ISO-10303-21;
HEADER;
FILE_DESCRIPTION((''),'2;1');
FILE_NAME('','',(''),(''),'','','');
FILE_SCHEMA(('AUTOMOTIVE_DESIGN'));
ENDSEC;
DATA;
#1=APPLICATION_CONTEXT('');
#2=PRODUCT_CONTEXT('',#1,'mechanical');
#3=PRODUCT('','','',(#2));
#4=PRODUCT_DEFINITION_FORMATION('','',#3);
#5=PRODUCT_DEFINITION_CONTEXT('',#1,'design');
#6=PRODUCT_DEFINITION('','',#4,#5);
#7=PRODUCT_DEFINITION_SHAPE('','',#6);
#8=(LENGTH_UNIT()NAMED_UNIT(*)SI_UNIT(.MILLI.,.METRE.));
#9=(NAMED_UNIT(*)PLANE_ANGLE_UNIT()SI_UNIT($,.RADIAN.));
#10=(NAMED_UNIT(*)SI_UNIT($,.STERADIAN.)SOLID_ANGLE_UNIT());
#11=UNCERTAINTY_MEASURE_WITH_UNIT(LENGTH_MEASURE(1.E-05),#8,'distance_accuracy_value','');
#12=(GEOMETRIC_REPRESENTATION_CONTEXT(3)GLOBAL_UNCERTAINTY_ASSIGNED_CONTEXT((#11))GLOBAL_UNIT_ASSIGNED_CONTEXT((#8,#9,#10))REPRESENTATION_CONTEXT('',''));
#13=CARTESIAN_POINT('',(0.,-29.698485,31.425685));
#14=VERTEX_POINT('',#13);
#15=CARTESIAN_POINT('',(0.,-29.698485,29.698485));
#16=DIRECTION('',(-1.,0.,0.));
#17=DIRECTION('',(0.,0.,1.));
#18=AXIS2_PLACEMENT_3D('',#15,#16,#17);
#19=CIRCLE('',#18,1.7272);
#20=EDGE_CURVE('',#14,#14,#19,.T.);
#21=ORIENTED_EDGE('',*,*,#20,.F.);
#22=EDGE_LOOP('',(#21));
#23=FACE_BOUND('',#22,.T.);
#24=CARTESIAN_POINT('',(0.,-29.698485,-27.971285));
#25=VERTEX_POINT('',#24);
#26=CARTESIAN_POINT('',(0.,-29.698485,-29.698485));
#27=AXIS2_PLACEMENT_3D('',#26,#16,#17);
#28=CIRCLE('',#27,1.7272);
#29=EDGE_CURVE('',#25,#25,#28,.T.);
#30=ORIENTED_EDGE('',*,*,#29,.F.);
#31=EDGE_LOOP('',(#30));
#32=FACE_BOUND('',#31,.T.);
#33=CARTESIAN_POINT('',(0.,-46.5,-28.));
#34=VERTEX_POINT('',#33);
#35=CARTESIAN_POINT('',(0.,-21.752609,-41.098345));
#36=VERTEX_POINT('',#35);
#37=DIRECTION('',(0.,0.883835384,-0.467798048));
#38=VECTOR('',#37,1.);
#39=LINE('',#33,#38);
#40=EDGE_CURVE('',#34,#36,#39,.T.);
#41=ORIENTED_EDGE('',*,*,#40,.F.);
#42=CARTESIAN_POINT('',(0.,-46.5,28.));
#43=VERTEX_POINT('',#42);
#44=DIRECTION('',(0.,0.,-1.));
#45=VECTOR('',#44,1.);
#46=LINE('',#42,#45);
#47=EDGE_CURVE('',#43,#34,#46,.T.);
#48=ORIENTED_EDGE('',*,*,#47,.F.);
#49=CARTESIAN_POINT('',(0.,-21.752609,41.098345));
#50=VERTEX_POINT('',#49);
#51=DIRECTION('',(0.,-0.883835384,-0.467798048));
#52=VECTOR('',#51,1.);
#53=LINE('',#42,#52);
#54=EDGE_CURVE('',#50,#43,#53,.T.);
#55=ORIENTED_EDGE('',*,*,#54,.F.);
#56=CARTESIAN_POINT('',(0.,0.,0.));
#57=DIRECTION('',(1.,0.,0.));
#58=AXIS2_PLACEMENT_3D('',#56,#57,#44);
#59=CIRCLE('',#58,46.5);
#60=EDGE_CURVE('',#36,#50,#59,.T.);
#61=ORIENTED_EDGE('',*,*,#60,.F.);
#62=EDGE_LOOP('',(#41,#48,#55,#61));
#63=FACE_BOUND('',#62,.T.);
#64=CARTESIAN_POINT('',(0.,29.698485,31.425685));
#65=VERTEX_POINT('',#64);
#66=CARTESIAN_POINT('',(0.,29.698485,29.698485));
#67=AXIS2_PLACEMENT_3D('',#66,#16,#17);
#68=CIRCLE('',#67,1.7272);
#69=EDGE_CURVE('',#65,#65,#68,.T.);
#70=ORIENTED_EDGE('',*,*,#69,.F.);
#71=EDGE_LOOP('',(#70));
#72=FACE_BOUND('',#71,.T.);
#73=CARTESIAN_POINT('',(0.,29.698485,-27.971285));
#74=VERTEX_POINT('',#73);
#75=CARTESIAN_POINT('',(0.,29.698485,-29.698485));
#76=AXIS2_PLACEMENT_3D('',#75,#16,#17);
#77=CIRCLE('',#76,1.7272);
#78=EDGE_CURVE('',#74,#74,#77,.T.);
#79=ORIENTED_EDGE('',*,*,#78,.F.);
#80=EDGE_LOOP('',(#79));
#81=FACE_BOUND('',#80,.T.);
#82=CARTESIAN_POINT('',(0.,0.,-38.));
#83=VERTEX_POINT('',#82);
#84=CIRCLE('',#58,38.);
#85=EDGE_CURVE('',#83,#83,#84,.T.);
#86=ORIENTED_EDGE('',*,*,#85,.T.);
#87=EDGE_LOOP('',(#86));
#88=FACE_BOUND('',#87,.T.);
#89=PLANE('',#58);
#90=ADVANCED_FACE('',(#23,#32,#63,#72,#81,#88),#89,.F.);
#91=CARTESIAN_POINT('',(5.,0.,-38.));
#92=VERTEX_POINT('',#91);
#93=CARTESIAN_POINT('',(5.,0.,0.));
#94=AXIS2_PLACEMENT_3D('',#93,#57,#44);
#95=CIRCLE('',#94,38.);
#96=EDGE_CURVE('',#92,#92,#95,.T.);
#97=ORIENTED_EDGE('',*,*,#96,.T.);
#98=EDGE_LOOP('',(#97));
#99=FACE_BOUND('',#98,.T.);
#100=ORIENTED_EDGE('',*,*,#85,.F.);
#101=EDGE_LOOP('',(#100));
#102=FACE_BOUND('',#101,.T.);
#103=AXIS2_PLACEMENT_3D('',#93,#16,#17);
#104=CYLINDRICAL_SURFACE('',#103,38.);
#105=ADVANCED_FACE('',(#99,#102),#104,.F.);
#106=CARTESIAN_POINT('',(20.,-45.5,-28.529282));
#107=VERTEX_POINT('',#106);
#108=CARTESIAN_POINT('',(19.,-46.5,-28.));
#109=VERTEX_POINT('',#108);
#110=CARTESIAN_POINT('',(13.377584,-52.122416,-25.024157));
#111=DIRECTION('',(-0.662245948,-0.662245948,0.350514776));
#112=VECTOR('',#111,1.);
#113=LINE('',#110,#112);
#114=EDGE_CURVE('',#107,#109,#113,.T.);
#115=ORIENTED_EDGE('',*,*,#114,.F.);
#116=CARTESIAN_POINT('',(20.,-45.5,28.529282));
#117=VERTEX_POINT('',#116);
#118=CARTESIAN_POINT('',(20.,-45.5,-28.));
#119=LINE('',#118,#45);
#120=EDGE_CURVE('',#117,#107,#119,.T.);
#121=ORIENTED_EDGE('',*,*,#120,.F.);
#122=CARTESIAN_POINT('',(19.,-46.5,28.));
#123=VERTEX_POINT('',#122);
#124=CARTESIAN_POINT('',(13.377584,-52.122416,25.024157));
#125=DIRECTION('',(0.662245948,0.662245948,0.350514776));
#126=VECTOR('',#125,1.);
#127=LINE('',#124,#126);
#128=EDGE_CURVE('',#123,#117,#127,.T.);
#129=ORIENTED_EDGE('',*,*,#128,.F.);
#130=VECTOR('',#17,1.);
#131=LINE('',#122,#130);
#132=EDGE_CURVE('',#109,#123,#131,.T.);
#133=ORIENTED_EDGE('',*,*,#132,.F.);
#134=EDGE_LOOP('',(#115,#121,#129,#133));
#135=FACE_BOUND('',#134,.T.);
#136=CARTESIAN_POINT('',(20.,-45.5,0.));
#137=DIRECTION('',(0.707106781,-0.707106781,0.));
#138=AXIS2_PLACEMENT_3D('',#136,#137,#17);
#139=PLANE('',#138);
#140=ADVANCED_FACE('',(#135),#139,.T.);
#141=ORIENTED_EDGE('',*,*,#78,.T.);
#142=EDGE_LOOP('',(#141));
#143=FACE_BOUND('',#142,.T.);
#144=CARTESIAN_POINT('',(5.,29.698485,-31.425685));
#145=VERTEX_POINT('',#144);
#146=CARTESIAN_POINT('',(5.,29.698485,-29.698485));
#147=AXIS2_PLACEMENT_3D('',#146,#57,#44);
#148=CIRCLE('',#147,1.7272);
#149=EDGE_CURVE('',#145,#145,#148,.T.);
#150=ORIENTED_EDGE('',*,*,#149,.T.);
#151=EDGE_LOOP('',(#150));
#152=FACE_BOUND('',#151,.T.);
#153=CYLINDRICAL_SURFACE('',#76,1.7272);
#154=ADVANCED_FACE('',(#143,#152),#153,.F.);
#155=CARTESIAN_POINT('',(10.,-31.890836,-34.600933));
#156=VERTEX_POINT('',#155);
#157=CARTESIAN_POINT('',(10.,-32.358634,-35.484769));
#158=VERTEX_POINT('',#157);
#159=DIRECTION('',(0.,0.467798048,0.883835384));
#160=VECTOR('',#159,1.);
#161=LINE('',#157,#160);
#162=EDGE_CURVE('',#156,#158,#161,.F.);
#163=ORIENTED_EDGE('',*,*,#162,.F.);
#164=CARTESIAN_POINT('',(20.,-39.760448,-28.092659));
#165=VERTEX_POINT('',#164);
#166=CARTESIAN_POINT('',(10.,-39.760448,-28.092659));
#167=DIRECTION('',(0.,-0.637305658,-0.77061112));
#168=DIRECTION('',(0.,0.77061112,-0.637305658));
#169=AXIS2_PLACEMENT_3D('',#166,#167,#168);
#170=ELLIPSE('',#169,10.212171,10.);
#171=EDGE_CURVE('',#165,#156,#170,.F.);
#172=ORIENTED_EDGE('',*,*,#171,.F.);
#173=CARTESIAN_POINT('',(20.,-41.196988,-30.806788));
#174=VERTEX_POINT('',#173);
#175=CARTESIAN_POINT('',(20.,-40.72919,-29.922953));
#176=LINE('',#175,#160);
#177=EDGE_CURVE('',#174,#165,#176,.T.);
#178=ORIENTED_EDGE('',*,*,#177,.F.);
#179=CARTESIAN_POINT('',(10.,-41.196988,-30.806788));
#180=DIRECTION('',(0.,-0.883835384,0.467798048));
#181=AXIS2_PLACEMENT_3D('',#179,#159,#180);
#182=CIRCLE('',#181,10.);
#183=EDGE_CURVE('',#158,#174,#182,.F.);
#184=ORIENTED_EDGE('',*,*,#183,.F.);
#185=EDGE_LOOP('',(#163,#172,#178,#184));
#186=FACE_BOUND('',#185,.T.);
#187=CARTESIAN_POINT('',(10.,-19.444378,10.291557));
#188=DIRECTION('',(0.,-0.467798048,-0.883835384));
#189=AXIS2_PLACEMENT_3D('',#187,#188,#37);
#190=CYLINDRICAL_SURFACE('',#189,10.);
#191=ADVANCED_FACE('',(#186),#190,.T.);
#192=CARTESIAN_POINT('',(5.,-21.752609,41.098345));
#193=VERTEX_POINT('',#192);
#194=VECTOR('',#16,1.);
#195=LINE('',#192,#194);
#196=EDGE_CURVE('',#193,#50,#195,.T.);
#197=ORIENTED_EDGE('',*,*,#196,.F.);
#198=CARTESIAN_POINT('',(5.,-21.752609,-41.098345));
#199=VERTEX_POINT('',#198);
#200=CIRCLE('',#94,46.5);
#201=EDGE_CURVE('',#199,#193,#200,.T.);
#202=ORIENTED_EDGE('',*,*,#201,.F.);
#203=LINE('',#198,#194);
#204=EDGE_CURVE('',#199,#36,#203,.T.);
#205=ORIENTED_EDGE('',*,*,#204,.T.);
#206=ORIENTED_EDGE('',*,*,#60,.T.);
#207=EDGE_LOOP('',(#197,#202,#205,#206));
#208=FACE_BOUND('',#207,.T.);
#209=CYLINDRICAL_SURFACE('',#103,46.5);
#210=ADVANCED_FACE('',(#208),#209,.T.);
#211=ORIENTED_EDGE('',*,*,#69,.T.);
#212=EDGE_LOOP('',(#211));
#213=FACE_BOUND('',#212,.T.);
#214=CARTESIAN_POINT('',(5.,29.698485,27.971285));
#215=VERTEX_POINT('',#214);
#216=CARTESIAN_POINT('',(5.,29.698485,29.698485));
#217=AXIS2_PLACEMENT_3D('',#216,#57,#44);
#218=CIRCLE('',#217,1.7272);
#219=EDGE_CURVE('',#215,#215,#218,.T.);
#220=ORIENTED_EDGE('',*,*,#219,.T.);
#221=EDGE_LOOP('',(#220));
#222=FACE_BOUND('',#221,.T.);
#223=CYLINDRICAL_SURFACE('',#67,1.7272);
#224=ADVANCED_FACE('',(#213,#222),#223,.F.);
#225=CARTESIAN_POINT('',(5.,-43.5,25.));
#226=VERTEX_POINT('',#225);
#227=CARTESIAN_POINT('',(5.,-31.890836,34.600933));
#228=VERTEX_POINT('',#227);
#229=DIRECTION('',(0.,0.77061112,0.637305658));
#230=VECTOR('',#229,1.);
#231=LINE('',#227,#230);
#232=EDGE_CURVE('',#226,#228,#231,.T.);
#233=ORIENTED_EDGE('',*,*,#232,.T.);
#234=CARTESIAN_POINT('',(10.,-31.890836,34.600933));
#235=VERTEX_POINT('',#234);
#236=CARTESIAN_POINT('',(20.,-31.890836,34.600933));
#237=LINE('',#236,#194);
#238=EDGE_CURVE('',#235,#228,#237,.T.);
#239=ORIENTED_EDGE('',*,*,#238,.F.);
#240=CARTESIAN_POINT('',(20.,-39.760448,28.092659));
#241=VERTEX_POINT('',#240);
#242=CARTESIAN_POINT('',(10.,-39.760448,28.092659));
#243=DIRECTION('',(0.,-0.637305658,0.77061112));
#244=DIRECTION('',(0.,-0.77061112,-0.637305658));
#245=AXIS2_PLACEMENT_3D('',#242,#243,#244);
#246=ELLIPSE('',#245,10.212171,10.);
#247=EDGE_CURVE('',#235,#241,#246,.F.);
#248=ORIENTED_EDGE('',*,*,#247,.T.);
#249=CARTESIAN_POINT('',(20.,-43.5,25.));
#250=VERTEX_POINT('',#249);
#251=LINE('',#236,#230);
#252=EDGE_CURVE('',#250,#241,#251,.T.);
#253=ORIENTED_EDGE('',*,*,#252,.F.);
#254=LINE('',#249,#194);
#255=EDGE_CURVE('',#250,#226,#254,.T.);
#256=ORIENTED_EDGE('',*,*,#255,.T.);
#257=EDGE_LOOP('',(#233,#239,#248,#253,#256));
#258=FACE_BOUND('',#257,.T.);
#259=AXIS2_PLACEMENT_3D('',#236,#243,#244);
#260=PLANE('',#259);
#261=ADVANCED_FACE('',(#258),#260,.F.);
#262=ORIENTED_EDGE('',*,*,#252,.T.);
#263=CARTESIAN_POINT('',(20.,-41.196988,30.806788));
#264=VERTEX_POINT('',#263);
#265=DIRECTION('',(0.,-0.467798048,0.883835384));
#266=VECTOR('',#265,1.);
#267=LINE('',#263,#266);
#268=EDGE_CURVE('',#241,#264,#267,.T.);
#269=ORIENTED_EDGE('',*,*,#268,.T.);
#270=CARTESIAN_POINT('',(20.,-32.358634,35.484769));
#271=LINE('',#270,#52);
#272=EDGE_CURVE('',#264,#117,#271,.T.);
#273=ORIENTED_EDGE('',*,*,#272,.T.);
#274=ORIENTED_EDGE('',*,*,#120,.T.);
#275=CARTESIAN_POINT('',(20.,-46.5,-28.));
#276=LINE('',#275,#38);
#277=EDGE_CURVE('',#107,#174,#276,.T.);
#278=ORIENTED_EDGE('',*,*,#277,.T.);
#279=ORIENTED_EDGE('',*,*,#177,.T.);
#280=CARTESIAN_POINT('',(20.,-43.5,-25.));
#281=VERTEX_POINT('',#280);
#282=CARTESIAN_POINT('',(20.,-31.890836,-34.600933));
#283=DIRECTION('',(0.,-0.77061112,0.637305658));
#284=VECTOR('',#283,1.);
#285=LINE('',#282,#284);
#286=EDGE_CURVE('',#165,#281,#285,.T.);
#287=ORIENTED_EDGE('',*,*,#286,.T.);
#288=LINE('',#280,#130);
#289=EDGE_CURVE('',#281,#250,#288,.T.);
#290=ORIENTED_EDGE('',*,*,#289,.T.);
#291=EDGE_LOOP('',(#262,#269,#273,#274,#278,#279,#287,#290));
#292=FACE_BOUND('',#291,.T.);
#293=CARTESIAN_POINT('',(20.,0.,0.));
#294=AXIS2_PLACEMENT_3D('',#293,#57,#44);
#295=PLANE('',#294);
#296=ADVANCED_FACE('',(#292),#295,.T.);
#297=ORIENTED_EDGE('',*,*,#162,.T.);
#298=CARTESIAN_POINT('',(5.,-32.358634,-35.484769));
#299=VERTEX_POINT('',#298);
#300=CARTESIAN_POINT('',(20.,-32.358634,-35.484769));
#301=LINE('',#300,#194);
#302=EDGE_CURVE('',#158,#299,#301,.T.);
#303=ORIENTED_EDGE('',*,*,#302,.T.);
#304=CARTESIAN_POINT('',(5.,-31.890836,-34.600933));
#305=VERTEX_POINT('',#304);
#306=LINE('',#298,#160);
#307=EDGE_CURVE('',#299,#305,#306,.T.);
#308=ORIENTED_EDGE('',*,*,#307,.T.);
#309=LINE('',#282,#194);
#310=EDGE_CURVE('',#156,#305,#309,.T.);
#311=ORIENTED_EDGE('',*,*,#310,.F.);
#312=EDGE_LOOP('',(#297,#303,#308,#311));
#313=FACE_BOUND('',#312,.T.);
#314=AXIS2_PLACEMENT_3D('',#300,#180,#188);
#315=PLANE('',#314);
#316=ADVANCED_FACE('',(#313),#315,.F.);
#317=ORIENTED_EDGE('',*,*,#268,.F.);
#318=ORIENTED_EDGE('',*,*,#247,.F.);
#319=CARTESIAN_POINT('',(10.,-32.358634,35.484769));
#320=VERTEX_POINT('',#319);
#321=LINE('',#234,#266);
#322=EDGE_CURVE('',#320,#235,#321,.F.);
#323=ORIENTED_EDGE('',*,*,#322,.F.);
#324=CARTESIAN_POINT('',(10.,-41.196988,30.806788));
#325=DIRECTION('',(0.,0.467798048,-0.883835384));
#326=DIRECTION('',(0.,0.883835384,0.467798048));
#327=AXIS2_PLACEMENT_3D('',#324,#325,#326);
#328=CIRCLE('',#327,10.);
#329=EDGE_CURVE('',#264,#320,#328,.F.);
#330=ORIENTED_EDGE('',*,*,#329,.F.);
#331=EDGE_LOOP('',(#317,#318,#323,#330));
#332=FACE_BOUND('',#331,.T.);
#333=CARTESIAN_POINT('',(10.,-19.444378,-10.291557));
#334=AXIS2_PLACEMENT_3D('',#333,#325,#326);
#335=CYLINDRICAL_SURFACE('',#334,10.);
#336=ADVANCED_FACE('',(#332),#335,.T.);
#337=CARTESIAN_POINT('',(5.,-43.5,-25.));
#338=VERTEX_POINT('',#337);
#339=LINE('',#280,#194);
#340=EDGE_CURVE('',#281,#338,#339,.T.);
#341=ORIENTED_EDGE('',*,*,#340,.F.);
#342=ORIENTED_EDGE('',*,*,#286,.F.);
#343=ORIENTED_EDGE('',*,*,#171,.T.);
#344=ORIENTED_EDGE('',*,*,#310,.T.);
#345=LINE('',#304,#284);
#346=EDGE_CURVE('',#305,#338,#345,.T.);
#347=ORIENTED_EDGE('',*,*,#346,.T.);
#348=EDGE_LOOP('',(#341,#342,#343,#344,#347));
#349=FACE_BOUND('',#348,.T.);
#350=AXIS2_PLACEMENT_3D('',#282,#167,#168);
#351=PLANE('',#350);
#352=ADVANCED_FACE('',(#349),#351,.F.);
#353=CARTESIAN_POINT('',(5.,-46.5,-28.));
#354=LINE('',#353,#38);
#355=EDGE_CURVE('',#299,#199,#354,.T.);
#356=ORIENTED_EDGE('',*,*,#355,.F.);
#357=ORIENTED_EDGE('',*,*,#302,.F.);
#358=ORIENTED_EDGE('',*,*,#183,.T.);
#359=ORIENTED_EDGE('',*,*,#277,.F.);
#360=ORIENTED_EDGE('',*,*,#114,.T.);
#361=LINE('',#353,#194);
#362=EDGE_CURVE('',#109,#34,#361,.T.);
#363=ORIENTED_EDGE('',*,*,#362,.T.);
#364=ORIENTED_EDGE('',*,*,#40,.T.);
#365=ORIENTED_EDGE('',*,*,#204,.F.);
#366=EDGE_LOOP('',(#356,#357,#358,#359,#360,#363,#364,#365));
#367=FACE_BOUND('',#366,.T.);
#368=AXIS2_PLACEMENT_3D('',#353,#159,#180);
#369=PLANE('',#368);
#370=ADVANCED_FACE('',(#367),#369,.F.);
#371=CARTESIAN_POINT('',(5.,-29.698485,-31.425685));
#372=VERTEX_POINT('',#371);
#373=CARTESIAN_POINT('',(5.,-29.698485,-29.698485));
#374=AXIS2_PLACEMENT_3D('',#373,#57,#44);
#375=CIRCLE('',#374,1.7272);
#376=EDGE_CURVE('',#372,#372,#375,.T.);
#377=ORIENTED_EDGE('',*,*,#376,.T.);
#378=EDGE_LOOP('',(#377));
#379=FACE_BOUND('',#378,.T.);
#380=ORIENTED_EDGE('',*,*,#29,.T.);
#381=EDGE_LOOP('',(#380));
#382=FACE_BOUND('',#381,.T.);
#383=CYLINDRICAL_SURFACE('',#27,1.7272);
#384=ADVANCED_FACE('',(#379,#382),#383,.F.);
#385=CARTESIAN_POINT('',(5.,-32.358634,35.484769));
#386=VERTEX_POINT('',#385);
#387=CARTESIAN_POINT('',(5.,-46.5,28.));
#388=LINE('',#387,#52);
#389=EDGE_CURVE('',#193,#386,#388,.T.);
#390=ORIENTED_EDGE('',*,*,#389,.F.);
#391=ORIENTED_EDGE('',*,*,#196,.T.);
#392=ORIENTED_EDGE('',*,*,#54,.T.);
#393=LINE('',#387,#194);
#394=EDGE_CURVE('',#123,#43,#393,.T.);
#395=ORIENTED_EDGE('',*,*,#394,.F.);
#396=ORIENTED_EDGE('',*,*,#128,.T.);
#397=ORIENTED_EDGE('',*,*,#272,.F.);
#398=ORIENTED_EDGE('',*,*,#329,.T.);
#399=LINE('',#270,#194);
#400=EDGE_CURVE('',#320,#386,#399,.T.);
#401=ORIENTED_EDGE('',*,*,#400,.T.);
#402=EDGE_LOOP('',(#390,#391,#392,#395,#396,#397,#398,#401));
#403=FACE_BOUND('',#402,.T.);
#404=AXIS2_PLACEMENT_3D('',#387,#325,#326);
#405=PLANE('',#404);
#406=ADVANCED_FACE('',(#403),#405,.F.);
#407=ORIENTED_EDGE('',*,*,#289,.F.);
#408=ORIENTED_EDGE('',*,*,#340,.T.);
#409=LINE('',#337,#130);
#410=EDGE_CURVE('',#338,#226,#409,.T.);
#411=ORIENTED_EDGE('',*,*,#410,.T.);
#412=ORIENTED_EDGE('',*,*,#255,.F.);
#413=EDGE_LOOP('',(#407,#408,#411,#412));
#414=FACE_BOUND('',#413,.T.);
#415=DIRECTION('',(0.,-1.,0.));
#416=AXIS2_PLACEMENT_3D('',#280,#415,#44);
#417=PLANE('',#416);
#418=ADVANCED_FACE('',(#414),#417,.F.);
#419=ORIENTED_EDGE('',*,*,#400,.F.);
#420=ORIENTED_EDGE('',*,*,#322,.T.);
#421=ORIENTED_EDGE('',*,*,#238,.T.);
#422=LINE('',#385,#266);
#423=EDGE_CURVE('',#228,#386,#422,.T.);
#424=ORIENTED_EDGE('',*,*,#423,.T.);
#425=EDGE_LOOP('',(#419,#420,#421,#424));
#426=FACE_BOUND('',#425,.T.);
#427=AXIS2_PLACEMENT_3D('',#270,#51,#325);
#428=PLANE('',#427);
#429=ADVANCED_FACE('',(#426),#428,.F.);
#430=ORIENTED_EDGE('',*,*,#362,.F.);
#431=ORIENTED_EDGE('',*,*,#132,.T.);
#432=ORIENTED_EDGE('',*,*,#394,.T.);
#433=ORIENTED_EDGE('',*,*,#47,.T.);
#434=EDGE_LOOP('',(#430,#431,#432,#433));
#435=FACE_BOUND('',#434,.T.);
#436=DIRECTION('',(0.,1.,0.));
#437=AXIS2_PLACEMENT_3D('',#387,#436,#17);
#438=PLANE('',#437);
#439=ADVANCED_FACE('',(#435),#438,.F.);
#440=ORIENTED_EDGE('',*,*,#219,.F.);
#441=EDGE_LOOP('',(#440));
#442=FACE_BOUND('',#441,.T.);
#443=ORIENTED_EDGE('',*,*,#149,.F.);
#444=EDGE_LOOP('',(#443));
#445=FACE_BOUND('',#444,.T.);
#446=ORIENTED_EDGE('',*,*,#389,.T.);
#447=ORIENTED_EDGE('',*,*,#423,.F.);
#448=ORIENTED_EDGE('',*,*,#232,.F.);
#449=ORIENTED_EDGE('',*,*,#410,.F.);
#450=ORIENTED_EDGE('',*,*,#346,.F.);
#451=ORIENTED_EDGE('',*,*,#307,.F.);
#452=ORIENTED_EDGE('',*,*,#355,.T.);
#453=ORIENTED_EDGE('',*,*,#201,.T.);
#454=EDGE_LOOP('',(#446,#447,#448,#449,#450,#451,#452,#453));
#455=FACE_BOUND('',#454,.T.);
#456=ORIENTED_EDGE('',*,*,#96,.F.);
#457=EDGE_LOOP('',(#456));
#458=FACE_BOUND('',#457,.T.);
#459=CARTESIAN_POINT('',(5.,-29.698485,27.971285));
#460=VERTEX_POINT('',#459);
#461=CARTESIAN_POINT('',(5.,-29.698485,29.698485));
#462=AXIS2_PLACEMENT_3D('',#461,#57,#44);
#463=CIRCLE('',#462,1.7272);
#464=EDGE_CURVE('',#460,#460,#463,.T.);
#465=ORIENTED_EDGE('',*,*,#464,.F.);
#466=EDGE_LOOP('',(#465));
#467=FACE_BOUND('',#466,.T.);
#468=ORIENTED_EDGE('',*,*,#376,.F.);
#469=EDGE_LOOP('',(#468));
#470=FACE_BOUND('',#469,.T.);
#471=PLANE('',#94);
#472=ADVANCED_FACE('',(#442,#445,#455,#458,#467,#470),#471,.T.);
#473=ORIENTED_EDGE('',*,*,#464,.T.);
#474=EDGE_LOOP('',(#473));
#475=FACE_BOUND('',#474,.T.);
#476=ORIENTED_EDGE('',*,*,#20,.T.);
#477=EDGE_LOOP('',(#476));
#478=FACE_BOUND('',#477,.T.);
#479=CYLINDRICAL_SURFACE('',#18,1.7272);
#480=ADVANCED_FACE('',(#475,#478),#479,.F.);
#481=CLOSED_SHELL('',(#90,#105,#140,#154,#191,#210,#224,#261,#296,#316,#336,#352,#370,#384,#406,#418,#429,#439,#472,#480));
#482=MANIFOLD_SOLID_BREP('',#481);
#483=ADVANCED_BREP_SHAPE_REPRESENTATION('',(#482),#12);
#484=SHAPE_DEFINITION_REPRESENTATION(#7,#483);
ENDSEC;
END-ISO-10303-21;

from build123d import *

# Parameters (mm, degrees)
SKETCH1_R             = 38
BOSS_EXTRUDE1_DEPTH   = 5
BOSS_EXTRUDE2_DEPTH   = 15
F_4_CLEARANCE_HOLE1_D = 3.4544
FILLET1_R             = 10
CHAMFER1_SIZE         = 1


with BuildPart() as part:
    # Sketch1 → Boss-Extrude1 (new body)
    with BuildSketch(Plane(origin=(0, 0, 0), x_dir=(0, 0, -1), z_dir=(1, 0, 0))):
        with BuildLine():
            Line((-28, -46.5), (28, -46.5))
            Line((28, -46.5), (41.098345354, -21.752609249))
            ThreePointArc((41.098345354, -21.752609249), (0, 46.5), (-41.098345354, -21.752609249))
            Line((-41.098345354, -21.752609249), (-28, -46.5))
        make_face()
        Circle(SKETCH1_R, mode=Mode.SUBTRACT)
    extrude(amount=BOSS_EXTRUDE1_DEPTH)

    # Sketch2 → Boss-Extrude2 (add)
    with BuildSketch(Plane(origin=(5, 0, 0), x_dir=(0, 0, -1), z_dir=(1, 0, 0))):
        Polygon((-28, -46.5), (28, -46.5), (35.484768774, -32.358633857), (34.60093339, -31.890835808), (25, -43.5), (-25, -43.5), (-34.60093339, -31.890835808), (-35.484768774, -32.358633857), align=None)
    extrude(amount=BOSS_EXTRUDE2_DEPTH)

    # #4 Clearance Hole1 (through all)
    with Locations(Plane.ZY):
        with Locations((-29.69848481, -29.69848481), (-29.69848481, 29.69848481), (29.69848481, 29.69848481), (29.69848481, -29.69848481)):
            Hole(F_4_CLEARANCE_HOLE1_D / 2)

    # Fillet1
    fillet1_edges = [part.edges().sort_by_distance(p)[0] for p in [
        (20, -32.124734832, -35.042851082),
        (20, -32.124734832, 35.042851082),
    ]]
    fillet(fillet1_edges, radius=FILLET1_R)

    # Chamfer1
    chamfer1_edges = [part.edges().sort_by_distance(p)[0] for p in [
        (20, -46.5, 0),
    ]]
    chamfer(chamfer1_edges, length=CHAMFER1_SIZE)


solid = part.part
